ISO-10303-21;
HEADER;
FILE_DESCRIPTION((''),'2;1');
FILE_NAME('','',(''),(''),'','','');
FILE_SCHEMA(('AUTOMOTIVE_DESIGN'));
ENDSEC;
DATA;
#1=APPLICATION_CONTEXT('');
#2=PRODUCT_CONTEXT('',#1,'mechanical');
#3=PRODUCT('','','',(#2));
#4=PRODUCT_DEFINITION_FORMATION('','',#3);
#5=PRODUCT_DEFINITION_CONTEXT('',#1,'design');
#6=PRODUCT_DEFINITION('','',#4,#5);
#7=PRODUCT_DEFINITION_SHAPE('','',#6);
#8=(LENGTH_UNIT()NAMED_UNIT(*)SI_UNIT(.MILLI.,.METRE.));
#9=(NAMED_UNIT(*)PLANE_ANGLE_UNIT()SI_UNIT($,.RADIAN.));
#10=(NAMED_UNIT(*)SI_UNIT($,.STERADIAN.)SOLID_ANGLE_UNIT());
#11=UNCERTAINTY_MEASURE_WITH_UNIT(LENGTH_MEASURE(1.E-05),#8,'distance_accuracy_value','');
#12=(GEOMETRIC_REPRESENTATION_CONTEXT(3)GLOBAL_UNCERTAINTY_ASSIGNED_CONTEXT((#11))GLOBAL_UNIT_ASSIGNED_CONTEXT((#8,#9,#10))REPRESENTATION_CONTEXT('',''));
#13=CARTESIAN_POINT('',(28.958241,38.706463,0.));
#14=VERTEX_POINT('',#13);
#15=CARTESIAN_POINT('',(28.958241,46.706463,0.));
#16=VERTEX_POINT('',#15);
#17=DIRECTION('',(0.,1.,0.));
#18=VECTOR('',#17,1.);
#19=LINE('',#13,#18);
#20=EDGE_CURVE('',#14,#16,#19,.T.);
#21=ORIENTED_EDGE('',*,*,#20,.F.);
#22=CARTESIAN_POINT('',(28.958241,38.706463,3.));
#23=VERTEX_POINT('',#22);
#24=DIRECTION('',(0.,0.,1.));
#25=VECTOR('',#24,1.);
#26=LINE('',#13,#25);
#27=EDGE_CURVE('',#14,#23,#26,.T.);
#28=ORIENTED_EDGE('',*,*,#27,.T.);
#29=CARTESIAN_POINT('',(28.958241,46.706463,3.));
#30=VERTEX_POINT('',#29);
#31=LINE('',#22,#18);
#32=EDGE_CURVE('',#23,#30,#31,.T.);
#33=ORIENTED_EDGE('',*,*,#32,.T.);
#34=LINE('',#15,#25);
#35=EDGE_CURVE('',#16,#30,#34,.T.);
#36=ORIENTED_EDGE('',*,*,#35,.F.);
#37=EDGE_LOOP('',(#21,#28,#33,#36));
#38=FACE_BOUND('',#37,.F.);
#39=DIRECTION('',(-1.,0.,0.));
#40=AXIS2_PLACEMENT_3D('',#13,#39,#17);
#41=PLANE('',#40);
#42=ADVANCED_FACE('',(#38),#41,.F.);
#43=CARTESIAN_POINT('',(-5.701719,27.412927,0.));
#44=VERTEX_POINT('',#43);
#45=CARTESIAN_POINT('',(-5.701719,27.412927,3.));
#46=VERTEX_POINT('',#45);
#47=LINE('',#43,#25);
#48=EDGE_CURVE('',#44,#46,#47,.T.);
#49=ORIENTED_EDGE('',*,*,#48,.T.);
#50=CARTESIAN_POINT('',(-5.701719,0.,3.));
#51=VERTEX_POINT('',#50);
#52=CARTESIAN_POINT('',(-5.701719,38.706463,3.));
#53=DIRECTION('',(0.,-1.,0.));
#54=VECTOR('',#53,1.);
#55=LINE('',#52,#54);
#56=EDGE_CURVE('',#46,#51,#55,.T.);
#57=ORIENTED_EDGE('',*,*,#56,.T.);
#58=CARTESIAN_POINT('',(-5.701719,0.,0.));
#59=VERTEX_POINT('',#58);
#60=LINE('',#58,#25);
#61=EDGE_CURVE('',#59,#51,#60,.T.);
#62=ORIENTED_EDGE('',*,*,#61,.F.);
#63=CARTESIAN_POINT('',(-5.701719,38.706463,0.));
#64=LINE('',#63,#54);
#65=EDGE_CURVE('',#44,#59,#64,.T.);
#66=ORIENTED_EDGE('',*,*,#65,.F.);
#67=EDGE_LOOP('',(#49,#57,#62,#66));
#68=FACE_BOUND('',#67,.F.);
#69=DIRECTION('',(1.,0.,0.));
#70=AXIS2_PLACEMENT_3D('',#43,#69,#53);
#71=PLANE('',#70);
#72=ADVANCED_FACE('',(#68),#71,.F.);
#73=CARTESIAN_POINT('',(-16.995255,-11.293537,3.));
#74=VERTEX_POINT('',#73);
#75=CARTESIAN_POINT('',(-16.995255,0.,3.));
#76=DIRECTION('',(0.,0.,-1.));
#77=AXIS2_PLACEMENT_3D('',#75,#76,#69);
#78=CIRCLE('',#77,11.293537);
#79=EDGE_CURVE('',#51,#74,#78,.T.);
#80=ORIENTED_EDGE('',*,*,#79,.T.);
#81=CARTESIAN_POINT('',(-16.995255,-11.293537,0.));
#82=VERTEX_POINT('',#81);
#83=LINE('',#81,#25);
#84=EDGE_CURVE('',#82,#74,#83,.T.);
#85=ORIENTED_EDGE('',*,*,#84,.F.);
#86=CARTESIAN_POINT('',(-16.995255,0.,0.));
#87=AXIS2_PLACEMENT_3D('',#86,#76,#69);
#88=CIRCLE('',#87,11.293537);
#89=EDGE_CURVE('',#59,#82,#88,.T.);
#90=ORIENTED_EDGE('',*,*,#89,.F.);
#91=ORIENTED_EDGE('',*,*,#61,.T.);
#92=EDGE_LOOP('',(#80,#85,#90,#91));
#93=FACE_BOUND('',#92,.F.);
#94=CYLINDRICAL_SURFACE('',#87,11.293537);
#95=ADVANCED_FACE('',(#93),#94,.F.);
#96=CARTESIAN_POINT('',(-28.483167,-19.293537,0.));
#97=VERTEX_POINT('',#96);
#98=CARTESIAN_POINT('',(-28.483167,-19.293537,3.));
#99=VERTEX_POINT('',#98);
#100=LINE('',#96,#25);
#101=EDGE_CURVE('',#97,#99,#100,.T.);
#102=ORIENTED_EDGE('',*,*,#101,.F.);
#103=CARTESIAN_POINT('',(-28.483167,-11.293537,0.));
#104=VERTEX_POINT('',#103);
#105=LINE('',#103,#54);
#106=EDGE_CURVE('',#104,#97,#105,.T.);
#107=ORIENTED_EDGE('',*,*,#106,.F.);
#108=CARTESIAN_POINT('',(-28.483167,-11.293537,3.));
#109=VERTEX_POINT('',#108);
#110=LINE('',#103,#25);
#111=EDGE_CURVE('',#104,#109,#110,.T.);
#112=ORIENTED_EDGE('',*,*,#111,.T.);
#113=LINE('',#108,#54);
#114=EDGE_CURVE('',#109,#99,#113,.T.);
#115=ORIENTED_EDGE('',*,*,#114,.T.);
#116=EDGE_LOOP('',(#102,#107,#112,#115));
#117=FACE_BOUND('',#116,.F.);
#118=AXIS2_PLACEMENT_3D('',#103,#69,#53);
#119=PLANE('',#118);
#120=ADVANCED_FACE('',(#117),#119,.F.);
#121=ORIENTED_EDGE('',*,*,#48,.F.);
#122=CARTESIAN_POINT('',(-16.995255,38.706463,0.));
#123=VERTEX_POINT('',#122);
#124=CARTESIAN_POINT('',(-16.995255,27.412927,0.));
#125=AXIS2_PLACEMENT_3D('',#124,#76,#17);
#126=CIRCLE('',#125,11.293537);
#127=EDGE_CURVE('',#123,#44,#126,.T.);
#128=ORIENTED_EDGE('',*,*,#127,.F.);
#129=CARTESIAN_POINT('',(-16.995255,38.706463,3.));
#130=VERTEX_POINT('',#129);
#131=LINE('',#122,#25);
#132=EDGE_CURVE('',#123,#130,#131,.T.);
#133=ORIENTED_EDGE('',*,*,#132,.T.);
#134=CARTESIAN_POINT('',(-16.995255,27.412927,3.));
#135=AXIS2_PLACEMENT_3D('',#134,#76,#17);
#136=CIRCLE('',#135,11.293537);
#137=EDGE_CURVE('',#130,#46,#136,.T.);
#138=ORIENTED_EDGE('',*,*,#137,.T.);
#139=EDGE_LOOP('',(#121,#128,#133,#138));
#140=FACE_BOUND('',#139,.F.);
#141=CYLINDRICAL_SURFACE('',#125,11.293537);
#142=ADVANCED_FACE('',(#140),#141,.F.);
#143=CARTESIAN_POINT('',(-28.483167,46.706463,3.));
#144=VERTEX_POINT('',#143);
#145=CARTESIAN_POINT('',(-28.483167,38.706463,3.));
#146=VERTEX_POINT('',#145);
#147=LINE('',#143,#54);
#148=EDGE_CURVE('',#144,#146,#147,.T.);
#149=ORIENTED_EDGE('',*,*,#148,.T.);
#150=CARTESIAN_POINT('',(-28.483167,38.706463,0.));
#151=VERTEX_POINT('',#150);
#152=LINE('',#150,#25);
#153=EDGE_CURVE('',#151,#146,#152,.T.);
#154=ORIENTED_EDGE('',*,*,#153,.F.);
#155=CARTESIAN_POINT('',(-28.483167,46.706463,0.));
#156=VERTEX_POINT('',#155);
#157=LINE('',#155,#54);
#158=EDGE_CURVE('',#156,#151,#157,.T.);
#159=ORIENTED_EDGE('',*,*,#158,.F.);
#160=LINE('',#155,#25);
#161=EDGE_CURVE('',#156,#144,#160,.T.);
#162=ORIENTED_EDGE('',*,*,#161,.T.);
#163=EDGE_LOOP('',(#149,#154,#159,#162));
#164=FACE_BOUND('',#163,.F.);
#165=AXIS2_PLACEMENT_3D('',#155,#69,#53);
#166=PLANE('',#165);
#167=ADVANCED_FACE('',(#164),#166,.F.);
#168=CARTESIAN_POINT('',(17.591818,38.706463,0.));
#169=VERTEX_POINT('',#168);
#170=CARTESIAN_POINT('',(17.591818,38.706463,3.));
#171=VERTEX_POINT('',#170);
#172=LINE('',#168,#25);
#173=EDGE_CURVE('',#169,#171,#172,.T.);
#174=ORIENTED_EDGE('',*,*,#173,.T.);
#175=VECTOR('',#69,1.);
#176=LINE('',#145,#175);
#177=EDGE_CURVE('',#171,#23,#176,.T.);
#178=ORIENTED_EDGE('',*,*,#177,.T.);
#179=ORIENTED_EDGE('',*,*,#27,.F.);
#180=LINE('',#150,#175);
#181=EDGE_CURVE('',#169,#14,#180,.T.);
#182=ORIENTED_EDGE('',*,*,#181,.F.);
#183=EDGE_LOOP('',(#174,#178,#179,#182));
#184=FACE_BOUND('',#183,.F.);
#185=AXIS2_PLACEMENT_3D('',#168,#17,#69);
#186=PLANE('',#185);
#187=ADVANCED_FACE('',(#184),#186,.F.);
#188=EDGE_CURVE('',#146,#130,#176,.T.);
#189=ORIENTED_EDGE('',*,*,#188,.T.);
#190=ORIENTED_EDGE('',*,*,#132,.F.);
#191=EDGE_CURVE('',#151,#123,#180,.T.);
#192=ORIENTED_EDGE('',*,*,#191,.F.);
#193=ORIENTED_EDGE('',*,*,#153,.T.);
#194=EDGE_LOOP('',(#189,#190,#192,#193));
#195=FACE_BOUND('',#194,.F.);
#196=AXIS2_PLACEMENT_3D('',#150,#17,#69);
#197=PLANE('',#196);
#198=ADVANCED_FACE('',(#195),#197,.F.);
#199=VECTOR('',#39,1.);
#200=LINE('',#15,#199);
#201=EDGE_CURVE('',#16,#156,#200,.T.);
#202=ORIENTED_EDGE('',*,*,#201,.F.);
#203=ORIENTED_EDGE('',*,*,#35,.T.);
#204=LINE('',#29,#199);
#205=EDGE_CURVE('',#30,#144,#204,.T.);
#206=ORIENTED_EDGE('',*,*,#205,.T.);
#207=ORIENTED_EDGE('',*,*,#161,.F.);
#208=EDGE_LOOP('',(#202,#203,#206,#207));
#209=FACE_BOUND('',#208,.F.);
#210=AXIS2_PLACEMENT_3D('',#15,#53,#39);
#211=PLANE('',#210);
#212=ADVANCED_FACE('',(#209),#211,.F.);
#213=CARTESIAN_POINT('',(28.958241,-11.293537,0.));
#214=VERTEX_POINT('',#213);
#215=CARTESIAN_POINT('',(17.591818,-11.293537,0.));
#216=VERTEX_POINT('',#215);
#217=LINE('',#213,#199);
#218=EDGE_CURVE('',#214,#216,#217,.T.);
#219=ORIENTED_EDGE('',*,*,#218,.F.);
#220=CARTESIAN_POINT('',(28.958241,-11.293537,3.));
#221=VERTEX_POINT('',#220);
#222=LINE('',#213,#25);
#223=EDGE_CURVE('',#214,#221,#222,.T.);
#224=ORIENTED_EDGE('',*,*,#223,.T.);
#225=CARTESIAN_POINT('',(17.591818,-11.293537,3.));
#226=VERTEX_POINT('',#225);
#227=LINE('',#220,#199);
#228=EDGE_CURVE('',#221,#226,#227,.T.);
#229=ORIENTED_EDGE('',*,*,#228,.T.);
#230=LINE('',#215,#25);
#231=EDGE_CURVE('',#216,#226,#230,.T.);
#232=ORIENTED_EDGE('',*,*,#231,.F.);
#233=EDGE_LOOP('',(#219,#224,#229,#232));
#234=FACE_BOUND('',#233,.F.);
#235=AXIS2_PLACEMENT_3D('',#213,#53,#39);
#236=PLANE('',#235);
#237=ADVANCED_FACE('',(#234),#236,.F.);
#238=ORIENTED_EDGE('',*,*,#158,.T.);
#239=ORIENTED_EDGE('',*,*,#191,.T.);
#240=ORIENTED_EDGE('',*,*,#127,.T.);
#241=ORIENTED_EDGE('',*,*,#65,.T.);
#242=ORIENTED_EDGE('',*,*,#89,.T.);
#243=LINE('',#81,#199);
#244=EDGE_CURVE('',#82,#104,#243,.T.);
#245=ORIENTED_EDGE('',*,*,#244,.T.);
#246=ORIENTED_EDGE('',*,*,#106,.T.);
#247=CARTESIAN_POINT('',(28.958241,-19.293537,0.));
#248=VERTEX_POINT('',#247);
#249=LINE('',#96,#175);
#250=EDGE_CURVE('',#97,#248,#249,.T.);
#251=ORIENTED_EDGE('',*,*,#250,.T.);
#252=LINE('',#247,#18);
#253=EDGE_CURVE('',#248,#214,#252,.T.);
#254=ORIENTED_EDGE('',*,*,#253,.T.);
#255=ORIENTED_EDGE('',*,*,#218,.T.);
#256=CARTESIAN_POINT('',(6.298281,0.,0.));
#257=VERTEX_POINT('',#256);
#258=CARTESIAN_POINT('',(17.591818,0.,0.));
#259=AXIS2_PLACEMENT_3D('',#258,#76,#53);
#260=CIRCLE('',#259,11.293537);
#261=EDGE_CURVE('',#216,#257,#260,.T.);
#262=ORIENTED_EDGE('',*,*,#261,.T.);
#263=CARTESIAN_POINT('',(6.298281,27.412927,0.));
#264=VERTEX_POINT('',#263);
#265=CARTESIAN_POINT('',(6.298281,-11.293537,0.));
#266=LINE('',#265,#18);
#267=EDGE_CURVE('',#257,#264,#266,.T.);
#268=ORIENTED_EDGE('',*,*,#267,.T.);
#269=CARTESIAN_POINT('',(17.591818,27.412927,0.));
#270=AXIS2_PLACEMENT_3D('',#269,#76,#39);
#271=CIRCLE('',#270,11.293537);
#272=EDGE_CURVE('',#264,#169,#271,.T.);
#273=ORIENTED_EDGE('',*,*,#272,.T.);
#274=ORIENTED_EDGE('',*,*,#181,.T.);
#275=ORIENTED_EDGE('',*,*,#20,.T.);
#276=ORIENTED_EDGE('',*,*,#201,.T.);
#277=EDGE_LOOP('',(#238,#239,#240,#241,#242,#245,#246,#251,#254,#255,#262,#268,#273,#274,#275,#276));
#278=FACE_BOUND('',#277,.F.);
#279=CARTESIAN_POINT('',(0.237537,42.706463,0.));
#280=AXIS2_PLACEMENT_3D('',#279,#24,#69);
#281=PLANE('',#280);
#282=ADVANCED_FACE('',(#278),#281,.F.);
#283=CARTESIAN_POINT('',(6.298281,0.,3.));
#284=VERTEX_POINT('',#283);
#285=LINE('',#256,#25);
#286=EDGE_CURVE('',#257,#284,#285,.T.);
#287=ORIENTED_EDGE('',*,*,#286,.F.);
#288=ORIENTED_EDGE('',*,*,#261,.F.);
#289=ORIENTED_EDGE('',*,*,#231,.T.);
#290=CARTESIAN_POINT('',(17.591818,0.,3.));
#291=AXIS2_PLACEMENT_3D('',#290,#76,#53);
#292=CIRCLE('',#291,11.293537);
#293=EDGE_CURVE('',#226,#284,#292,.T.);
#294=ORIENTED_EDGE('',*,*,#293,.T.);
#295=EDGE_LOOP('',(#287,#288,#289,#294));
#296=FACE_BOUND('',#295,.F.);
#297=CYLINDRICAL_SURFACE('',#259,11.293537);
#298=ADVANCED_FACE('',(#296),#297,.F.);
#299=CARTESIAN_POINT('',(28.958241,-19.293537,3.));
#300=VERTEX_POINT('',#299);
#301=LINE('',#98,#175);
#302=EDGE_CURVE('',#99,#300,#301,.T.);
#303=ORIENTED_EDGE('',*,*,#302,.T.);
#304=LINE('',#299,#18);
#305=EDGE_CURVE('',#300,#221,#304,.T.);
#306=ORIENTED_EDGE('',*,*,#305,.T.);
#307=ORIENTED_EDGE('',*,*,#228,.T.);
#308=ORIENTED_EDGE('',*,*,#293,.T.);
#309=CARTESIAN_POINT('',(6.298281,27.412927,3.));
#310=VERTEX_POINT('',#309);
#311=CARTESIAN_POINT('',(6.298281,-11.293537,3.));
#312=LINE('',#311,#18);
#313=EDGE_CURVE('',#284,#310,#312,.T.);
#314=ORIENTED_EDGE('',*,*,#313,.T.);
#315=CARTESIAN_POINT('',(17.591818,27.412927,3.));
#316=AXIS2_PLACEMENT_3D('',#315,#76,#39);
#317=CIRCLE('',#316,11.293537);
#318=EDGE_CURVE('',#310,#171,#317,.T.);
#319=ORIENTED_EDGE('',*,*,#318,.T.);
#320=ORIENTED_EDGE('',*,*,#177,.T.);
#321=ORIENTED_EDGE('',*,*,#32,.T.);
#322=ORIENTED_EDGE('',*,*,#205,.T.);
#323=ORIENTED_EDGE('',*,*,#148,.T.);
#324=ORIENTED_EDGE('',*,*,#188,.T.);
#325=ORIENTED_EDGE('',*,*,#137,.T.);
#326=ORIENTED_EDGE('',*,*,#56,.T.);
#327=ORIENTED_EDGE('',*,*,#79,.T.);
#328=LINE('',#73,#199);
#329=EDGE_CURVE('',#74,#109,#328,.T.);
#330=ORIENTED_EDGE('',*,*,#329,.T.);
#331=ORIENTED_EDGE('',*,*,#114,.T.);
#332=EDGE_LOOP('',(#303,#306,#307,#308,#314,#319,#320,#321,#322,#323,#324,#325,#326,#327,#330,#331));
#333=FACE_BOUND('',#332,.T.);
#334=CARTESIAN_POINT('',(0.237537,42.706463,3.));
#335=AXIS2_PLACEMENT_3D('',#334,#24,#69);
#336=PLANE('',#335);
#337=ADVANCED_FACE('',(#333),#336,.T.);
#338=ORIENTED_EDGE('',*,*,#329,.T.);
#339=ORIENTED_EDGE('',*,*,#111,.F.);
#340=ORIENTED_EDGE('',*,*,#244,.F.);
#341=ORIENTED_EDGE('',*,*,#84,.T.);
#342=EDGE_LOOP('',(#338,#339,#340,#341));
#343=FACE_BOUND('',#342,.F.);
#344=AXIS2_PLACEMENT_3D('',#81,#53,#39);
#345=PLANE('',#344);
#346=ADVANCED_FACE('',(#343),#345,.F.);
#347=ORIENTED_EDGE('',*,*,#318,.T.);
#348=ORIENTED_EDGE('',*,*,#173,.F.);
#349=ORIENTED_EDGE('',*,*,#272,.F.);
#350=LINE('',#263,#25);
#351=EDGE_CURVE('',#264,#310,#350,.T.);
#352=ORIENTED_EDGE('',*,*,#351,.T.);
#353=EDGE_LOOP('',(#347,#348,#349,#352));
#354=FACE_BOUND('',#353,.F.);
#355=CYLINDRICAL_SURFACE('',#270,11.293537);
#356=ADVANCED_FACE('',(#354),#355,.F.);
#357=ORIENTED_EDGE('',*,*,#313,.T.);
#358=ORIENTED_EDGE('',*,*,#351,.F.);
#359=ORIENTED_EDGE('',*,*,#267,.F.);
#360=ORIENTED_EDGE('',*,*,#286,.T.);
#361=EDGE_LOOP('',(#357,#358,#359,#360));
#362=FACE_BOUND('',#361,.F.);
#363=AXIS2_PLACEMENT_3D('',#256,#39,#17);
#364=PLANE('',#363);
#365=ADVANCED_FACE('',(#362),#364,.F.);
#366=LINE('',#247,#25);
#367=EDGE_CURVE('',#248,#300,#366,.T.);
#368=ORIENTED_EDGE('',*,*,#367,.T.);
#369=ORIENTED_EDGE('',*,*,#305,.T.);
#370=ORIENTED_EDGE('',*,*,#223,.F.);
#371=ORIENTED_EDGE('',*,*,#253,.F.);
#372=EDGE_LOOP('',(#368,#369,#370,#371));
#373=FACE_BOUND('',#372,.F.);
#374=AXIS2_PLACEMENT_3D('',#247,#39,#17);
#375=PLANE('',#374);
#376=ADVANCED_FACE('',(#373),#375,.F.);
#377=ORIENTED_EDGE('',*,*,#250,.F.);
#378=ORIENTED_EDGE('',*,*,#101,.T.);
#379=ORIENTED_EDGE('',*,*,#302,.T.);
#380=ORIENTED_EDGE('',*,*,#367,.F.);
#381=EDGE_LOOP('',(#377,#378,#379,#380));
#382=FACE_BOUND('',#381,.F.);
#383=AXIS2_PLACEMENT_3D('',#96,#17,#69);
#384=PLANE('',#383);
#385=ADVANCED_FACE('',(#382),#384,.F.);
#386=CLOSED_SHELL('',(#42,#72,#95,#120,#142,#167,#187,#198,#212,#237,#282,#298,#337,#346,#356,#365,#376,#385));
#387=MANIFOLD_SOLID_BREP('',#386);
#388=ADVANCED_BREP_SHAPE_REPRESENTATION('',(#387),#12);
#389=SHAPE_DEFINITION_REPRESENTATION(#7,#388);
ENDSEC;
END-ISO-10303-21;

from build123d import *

# Parameters (mm, degrees)
F1_DEPTH = 3


with BuildPart() as f1:
    # F0 (on Top) → F1 (new body)
    with BuildSketch(Plane.XY):
        Polygon((-5.7017188274, 38.706463416), (6.2982811726, 38.706463416), (17.5918177567, 38.706463416), (28.9582414734, 38.706463416), (28.9582414734, 46.706463416), (-28.4831673192, 46.706463416), (-28.4831673192, 38.706463416), (-16.9952554114, 38.706463416), align=None)
        Polygon((6.2982811726, 27.4129268319), (6.2982811726, 38.706463416), (-5.7017188274, 38.706463416), (-5.7017188274, 27.4129268319), (-5.7017188274, 0), (-5.7017188274, -11.293536584), (6.2982811726, -11.293536584), (6.2982811726, 5e-10), align=None)
        with BuildLine():
            Line((-5.7017188274, 27.4129268319), (-5.7017188274, 38.706463416))
            Line((-5.7017188274, 38.706463416), (-16.9952554114, 38.706463416))
            ThreePointArc((-16.9952554114, 38.706463416), (-9.0095191092, 35.3986631341), (-5.7017188274, 27.4129268319))
        make_face()
        with BuildLine():
            Line((17.5918177567, 38.706463416), (6.2982811726, 38.706463416))
            Line((6.2982811726, 38.706463416), (6.2982811726, 27.4129268319))
            ThreePointArc((6.2982811726, 27.4129268319), (9.6060814545, 35.3986631341), (17.5918177567, 38.706463416))
        make_face()
        with BuildLine():
            ThreePointArc((17.5918177567, -11.293536584), (9.6060814544, -7.985736302), (6.2982811726, 5e-10))
            Line((6.2982811726, 5e-10), (6.2982811726, -11.293536584))
            Line((6.2982811726, -11.293536584), (17.5918177567, -11.293536584))
        make_face()
        with BuildLine():
            Line((-5.7017188274, -11.293536584), (-5.7017188274, 0))
            ThreePointArc((-5.7017188274, 0), (-9.0095190992, -7.9857362921), (-16.995255383, -11.293536584))
            Line((-16.995255383, -11.293536584), (-5.7017188274, -11.293536584))
        make_face()
        Polygon((28.9582414734, -19.293536584), (28.9582414734, -11.293536584), (17.5918177567, -11.293536584), (6.2982811726, -11.293536584), (-5.7017188274, -11.293536584), (-16.995255383, -11.293536584), (-28.4831673192, -11.293536584), (-28.4831673192, -19.293536584), align=None)
    extrude(amount=F1_DEPTH)


solid = f1.part
